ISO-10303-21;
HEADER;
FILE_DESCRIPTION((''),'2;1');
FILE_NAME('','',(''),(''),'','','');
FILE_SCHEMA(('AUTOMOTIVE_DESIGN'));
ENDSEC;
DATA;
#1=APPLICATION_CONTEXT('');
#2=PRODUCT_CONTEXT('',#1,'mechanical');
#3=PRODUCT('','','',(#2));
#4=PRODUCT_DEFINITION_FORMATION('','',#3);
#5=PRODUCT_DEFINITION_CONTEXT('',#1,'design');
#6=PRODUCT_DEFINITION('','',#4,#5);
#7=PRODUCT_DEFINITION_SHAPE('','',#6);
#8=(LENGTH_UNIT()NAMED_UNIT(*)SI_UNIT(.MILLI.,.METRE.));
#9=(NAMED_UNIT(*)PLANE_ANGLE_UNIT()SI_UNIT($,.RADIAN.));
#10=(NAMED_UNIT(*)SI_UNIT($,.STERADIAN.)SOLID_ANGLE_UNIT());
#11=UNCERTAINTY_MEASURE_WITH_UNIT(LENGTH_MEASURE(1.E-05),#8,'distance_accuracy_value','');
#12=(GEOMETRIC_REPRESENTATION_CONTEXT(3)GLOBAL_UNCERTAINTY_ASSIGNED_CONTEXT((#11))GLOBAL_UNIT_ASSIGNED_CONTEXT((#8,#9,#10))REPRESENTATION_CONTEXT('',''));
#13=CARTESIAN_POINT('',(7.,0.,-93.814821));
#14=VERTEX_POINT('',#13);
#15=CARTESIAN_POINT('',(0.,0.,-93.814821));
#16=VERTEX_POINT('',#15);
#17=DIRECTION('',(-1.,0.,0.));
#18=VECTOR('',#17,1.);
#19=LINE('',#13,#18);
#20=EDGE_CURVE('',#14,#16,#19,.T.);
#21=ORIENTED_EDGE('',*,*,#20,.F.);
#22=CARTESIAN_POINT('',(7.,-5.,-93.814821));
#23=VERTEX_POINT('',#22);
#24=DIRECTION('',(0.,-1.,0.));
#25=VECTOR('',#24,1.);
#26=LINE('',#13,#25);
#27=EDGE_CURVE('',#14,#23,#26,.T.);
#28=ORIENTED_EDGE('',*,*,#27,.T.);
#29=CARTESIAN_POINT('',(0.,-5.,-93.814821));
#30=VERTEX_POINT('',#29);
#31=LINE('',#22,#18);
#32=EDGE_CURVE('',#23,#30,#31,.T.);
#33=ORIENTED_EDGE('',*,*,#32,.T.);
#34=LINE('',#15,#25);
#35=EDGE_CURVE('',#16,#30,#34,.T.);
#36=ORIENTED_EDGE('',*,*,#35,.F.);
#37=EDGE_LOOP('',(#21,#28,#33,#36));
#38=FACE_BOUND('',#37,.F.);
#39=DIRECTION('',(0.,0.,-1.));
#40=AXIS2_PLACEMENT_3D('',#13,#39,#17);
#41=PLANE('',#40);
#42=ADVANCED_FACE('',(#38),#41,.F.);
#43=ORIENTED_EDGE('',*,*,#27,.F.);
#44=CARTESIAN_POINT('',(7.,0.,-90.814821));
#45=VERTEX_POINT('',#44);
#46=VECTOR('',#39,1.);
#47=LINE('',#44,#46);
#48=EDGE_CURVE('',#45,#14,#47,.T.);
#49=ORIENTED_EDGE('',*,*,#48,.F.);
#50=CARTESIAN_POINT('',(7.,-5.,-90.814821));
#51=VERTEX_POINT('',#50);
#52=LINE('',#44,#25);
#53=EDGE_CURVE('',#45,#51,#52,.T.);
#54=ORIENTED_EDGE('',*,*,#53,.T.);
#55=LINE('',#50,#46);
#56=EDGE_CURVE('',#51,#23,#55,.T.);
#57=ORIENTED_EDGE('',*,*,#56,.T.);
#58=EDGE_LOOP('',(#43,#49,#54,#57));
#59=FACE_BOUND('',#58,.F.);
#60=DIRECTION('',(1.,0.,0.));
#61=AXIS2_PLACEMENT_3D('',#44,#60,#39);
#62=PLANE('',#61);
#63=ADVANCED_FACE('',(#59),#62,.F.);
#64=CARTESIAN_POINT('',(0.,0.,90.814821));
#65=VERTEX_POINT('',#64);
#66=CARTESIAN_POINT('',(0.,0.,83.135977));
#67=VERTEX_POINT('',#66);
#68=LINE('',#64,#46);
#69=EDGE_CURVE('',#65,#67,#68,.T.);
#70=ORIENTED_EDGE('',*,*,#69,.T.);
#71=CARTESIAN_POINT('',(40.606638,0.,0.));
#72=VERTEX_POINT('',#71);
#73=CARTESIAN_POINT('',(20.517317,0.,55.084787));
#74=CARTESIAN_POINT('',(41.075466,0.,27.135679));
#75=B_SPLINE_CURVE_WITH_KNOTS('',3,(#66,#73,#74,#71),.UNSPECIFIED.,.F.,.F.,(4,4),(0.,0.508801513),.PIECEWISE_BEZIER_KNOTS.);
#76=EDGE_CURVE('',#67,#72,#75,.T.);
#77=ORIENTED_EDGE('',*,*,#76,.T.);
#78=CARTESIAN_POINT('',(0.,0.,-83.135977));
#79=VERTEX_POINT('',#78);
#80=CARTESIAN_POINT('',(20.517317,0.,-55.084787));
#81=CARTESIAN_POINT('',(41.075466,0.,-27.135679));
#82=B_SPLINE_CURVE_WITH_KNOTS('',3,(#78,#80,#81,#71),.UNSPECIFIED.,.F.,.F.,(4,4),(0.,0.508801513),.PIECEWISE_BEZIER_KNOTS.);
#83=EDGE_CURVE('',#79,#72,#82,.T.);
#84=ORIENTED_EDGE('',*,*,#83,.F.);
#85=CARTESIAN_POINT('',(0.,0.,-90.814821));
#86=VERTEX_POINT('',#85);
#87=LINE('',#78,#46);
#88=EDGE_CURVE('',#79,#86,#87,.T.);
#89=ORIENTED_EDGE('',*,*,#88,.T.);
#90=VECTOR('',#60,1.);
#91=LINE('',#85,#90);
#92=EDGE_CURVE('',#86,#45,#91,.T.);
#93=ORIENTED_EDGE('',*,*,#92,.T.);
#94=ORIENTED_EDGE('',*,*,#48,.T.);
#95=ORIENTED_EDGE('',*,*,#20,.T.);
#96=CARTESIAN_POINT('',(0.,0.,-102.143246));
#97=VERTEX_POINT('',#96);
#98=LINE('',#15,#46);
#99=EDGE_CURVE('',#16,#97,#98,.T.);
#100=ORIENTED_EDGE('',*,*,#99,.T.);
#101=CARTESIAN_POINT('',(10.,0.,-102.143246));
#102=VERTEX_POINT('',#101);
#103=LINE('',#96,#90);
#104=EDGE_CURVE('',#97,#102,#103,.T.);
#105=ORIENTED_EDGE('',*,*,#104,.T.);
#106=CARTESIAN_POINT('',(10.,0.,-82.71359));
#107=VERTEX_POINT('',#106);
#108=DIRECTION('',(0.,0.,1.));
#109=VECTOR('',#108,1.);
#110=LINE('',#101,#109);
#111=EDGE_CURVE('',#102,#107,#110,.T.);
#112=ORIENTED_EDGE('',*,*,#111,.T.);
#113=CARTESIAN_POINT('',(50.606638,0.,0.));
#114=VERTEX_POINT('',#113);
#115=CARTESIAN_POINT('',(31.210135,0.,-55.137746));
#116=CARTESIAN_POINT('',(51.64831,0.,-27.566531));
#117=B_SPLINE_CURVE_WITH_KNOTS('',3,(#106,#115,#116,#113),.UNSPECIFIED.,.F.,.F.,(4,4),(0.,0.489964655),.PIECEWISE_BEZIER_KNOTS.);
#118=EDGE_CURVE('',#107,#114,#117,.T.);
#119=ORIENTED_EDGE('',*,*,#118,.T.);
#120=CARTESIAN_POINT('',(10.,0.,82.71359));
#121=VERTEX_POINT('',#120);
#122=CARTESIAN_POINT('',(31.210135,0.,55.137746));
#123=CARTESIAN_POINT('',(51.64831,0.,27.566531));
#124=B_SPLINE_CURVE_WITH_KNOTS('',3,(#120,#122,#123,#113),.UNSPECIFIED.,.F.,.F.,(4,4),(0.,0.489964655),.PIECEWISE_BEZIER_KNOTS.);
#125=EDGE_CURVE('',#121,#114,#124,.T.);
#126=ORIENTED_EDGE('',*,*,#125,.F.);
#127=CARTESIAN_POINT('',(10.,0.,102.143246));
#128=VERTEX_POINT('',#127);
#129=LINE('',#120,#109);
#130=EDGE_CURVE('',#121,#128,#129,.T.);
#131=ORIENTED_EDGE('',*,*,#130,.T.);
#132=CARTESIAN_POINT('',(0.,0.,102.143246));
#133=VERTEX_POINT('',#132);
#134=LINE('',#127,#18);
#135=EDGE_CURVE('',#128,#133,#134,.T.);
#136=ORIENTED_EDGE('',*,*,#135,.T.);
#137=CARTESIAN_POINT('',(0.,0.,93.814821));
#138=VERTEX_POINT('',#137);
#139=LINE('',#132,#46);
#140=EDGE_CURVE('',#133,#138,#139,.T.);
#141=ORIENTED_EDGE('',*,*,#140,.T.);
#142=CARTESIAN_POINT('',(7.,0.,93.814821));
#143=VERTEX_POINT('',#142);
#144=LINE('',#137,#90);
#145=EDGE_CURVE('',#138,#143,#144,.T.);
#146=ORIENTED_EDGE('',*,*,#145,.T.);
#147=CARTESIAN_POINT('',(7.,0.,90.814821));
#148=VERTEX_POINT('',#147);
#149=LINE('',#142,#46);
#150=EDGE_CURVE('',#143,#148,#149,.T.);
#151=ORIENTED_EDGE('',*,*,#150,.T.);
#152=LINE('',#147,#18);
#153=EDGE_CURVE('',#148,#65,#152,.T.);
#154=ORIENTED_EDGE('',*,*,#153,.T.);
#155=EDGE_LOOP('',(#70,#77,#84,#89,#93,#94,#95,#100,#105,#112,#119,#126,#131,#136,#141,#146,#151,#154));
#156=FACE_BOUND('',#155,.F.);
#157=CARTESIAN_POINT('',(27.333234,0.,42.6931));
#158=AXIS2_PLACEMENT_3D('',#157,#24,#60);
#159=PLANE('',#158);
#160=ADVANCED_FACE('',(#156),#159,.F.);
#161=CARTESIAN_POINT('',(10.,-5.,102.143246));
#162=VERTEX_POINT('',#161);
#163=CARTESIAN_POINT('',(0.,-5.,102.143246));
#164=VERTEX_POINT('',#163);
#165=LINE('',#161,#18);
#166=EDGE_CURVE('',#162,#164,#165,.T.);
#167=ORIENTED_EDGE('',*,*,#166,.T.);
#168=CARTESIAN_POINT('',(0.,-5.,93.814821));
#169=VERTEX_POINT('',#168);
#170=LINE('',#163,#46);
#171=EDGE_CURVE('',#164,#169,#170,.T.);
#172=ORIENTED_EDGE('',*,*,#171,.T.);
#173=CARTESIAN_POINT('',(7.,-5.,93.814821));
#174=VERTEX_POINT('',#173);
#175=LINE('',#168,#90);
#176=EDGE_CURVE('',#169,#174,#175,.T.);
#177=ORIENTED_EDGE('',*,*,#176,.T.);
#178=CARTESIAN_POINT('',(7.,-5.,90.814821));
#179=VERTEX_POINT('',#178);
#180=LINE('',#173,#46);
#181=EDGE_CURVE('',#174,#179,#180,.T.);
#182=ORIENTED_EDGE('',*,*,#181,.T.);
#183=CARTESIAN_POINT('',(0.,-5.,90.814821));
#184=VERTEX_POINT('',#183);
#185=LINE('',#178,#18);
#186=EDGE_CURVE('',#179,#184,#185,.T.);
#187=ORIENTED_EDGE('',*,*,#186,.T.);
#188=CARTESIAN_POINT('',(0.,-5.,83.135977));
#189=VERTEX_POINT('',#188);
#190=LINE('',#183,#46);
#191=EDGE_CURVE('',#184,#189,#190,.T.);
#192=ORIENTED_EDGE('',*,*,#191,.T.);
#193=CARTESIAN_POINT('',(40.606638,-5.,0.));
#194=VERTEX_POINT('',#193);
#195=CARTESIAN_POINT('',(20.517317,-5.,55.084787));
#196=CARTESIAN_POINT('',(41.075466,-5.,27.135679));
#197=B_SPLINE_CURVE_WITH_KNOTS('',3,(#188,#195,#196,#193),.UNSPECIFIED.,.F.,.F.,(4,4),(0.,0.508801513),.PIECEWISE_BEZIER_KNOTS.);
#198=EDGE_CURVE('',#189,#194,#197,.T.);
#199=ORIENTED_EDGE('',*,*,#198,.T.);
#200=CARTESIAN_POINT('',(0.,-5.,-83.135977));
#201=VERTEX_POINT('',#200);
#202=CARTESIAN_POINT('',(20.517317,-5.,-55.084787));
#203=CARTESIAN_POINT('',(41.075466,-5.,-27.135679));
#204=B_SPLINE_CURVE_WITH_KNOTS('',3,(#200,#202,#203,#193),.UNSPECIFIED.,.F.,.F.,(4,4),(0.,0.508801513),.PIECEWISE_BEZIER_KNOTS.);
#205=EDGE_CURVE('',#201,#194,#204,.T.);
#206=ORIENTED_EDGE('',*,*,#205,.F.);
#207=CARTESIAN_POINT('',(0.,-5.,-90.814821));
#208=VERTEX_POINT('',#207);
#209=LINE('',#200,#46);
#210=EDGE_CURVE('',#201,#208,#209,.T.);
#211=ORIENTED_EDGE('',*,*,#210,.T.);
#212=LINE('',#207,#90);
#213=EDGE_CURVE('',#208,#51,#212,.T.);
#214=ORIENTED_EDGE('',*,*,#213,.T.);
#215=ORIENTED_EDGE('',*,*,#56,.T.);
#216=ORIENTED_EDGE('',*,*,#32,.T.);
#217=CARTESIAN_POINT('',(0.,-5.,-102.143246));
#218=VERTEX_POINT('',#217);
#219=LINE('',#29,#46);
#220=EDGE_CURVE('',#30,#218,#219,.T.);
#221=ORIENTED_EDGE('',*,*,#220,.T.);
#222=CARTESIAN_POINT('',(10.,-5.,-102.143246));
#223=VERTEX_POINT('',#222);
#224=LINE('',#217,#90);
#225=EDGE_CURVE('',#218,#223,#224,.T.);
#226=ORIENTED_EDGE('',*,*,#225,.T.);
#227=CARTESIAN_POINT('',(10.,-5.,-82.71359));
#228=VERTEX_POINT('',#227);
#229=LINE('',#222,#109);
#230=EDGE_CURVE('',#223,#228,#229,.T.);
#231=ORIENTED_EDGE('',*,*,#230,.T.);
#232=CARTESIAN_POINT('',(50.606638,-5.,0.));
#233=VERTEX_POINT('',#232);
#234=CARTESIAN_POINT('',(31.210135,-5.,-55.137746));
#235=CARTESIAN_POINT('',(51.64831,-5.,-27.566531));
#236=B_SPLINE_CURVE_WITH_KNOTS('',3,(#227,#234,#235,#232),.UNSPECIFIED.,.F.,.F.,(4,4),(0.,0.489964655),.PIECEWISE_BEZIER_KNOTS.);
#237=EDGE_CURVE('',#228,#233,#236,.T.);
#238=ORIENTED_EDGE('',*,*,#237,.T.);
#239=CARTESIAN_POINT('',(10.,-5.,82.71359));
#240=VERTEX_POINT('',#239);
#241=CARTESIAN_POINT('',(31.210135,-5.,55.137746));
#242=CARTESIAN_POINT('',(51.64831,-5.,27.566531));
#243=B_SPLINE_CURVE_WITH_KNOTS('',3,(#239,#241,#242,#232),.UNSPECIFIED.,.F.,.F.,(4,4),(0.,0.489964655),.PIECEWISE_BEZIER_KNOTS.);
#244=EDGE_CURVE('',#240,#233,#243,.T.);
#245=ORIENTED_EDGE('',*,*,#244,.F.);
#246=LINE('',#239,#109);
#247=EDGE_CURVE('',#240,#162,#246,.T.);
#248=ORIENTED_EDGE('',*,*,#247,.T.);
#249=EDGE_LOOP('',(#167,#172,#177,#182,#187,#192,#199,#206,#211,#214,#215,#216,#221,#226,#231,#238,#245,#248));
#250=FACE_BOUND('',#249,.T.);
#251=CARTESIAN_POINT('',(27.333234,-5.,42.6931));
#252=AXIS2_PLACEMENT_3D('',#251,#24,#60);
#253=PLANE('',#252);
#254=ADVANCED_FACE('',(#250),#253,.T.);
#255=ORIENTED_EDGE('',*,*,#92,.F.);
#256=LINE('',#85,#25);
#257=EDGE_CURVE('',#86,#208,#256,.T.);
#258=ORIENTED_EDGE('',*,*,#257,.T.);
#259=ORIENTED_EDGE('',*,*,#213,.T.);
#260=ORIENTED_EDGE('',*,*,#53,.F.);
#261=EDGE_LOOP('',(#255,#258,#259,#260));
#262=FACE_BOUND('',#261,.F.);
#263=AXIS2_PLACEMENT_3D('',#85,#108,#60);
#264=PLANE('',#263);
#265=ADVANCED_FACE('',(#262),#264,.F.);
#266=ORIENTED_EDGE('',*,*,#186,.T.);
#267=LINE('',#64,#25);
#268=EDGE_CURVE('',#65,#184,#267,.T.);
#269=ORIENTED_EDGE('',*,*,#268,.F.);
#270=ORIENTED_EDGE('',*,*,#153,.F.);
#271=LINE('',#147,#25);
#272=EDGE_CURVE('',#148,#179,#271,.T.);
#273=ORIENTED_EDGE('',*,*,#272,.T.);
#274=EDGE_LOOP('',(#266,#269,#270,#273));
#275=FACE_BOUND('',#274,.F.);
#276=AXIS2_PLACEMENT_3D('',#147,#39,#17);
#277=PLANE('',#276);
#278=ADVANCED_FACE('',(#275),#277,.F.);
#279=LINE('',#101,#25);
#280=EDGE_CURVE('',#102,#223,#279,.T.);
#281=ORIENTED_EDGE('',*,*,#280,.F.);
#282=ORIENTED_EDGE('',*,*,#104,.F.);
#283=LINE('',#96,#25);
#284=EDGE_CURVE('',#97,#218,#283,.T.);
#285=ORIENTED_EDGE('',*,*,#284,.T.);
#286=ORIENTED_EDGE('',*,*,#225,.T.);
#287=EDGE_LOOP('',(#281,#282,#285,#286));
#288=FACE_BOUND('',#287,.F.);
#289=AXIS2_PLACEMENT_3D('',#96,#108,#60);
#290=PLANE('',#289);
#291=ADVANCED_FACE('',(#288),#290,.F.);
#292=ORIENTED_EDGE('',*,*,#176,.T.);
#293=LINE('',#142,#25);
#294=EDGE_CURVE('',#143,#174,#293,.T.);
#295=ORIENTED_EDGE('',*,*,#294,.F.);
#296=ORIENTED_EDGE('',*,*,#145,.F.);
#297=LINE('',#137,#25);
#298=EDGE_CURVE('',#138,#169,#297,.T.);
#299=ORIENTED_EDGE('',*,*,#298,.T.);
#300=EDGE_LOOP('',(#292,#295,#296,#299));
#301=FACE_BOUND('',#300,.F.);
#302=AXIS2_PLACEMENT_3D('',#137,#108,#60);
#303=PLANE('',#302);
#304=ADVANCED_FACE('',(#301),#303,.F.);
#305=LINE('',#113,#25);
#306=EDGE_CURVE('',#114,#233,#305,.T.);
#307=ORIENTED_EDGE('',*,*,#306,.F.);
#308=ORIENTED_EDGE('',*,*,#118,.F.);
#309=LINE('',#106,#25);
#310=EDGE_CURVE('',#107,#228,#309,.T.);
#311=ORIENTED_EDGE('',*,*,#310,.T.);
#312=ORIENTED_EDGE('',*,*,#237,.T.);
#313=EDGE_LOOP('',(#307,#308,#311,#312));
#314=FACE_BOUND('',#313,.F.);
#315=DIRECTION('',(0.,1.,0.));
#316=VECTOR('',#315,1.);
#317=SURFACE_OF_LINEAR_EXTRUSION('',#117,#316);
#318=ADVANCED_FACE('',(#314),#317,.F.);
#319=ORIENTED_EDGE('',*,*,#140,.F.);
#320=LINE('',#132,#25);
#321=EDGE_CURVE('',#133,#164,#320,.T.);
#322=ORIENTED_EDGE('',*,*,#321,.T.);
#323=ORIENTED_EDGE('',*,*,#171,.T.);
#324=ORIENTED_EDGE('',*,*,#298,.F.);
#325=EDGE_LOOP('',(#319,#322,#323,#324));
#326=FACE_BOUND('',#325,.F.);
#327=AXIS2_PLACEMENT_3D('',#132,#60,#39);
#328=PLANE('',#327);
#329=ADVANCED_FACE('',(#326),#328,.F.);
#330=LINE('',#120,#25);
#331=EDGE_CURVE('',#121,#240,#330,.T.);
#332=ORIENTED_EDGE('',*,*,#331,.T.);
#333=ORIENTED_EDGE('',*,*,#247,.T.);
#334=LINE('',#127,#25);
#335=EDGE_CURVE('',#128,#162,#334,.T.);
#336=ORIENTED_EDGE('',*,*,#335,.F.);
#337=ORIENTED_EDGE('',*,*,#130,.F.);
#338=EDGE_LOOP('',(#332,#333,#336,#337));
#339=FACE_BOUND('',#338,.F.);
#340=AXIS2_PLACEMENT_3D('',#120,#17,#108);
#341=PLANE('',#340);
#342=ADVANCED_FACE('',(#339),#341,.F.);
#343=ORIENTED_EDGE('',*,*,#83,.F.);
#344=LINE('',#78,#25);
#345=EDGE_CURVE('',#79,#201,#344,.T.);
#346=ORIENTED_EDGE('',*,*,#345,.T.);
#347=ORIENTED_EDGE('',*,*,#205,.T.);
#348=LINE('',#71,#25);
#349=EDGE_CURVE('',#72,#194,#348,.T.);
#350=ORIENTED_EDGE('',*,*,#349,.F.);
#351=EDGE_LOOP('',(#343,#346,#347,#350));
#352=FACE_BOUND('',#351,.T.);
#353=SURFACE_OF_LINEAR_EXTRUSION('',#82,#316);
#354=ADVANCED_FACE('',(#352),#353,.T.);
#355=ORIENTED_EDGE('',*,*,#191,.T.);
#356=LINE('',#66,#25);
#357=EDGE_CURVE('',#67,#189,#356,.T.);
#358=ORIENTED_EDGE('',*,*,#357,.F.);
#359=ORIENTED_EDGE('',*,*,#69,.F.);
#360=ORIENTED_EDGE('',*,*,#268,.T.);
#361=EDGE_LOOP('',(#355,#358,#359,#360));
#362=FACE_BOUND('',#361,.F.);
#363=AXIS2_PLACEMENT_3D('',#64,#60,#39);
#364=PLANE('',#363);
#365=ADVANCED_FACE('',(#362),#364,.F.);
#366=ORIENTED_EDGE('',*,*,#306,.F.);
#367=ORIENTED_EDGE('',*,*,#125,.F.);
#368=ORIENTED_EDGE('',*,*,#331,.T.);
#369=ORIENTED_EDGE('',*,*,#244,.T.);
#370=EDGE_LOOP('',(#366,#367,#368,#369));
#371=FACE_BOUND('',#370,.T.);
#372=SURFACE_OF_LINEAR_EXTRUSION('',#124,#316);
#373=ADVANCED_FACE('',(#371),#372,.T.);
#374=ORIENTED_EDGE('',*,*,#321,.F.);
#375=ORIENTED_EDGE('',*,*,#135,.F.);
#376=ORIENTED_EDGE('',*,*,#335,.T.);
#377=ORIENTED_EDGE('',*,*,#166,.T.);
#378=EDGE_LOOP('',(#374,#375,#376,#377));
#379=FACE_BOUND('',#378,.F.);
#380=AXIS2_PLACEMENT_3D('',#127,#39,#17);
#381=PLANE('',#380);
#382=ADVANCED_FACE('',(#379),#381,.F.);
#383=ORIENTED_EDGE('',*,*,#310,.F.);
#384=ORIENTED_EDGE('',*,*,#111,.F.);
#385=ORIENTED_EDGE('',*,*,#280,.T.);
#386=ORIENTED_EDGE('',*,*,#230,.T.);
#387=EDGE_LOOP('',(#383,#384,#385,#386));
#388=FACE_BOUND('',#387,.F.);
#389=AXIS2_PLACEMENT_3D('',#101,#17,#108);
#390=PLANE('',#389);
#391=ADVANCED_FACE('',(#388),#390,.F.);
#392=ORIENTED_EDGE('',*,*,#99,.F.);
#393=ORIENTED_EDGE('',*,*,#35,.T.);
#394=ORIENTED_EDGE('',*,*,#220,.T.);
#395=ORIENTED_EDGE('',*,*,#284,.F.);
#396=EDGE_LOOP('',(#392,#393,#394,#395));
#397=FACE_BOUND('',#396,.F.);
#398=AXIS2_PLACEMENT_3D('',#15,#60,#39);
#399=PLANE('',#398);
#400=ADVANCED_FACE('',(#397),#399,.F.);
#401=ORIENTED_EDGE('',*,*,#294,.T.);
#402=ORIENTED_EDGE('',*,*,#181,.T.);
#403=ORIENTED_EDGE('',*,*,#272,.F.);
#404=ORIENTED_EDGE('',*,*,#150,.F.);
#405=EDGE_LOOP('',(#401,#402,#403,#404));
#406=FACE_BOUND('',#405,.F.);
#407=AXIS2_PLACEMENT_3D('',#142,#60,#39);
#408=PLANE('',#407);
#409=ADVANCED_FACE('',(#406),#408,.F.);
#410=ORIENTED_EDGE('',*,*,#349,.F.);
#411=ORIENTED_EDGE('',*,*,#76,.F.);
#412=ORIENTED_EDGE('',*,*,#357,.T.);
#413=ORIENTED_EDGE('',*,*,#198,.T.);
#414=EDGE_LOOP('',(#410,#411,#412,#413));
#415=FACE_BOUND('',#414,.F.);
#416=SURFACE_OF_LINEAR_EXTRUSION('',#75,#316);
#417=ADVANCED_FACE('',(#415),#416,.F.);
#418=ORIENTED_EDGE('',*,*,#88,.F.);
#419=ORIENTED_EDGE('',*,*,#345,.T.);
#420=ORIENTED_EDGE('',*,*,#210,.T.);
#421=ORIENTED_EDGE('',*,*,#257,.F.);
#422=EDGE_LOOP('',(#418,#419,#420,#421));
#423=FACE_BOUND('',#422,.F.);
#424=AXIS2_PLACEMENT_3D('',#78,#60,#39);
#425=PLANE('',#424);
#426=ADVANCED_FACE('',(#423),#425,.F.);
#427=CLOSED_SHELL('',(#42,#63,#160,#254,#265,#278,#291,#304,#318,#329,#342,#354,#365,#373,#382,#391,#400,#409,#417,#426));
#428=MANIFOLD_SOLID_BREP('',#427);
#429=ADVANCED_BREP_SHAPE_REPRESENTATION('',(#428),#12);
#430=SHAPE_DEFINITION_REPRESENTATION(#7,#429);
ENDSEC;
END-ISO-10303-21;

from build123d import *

# Parameters (mm, degrees)
F1_DEPTH = 5


with BuildPart() as f1:
    # F0 (on Front) → F1 (new body)
    with BuildSketch(Plane.XZ):
        with BuildLine():
            Line((0, 86.0722920214), (0, 83.1359768161))
            add(Edge.make_bspline(
                [(0, 83.1359768161), (20.5173165086, 55.084787206), (41.0754663978, 27.1356787804), (40.6066375942, 0)],
                knots=[0, 0, 0, 0, 0.5088015133, 0.5088015133, 0.5088015133, 0.5088015133], degree=3))
            Line((40.6066375942, 0), (50.6066375942, 0))
            add(Edge.make_bspline(
                [(50.6066375942, 0), (49.5222940802, 28.6957537753), (25.1622773696, 57.3864314744), (0, 86.0722920214)],
                knots=[0.4899646554, 0.4899646554, 0.4899646554, 0.4899646554, 1, 1, 1, 1], degree=3))
        make_face()
        with BuildLine():
            Line((0, 90.8148214221), (0, 86.0722920214))
            add(Edge.make_bspline(
                [(50.6066375942, 0), (49.5222940802, 28.6957537753), (25.1622773696, 57.3864314744), (0, 86.0722920214)],
                knots=[0.4899646554, 0.4899646554, 0.4899646554, 0.4899646554, 1, 1, 1, 1], degree=3))
            add(Edge.make_bspline(
                [(10, 82.7135898097), (31.2101351071, 55.137746318), (51.6483104933, 27.5665309422), (50.6066375942, 0)],
                knots=[0, 0, 0, 0, 0.4899646554, 0.4899646554, 0.4899646554, 0.4899646554], degree=3))
            Line((10, 82.7135898097), (10, 102.1432460269))
            Line((10, 102.1432460269), (0, 102.1432460269))
            Line((0, 102.1432460269), (0, 93.8148214221))
            Line((0, 93.8148214221), (7, 93.8148214221))
            Line((7, 93.8148214221), (7, 90.8148214221))
            Line((7, 90.8148214221), (0, 90.8148214221))
        make_face()
        with BuildLine():
            Line((50.6066375942, 0), (40.6066375942, 0))
            add(Edge.make_bspline(
                [(0, -83.1359768161), (20.5173165086, -55.084787206), (41.0754663978, -27.1356787804), (40.6066375942, 0)],
                knots=[0, 0, 0, 0, 0.5088015133, 0.5088015133, 0.5088015133, 0.5088015133], degree=3))
            Line((0, -83.1359768161), (0, -86.0722920214))
            add(Edge.make_bspline(
                [(50.6066375942, 0), (49.5222940802, -28.6957537753), (25.1622773696, -57.3864314744), (0, -86.0722920214)],
                knots=[0.4899646554, 0.4899646554, 0.4899646554, 0.4899646554, 1, 1, 1, 1], degree=3))
        make_face()
        with BuildLine():
            add(Edge.make_bspline(
                [(10, -82.7135898097), (31.2101351071, -55.137746318), (51.6483104933, -27.5665309422), (50.6066375942, 0)],
                knots=[0, 0, 0, 0, 0.4899646554, 0.4899646554, 0.4899646554, 0.4899646554], degree=3))
            add(Edge.make_bspline(
                [(50.6066375942, 0), (49.5222940802, -28.6957537753), (25.1622773696, -57.3864314744), (0, -86.0722920214)],
                knots=[0.4899646554, 0.4899646554, 0.4899646554, 0.4899646554, 1, 1, 1, 1], degree=3))
            Line((0, -86.0722920214), (0, -90.8148214221))
            Line((0, -90.8148214221), (7, -90.8148214221))
            Line((7, -90.8148214221), (7, -93.8148214221))
            Line((7, -93.8148214221), (0, -93.8148214221))
            Line((0, -93.8148214221), (0, -102.1432460269))
            Line((0, -102.1432460269), (10, -102.1432460269))
            Line((10, -102.1432460269), (10, -82.7135898097))
        make_face()
    extrude(amount=F1_DEPTH)


solid = f1.part
